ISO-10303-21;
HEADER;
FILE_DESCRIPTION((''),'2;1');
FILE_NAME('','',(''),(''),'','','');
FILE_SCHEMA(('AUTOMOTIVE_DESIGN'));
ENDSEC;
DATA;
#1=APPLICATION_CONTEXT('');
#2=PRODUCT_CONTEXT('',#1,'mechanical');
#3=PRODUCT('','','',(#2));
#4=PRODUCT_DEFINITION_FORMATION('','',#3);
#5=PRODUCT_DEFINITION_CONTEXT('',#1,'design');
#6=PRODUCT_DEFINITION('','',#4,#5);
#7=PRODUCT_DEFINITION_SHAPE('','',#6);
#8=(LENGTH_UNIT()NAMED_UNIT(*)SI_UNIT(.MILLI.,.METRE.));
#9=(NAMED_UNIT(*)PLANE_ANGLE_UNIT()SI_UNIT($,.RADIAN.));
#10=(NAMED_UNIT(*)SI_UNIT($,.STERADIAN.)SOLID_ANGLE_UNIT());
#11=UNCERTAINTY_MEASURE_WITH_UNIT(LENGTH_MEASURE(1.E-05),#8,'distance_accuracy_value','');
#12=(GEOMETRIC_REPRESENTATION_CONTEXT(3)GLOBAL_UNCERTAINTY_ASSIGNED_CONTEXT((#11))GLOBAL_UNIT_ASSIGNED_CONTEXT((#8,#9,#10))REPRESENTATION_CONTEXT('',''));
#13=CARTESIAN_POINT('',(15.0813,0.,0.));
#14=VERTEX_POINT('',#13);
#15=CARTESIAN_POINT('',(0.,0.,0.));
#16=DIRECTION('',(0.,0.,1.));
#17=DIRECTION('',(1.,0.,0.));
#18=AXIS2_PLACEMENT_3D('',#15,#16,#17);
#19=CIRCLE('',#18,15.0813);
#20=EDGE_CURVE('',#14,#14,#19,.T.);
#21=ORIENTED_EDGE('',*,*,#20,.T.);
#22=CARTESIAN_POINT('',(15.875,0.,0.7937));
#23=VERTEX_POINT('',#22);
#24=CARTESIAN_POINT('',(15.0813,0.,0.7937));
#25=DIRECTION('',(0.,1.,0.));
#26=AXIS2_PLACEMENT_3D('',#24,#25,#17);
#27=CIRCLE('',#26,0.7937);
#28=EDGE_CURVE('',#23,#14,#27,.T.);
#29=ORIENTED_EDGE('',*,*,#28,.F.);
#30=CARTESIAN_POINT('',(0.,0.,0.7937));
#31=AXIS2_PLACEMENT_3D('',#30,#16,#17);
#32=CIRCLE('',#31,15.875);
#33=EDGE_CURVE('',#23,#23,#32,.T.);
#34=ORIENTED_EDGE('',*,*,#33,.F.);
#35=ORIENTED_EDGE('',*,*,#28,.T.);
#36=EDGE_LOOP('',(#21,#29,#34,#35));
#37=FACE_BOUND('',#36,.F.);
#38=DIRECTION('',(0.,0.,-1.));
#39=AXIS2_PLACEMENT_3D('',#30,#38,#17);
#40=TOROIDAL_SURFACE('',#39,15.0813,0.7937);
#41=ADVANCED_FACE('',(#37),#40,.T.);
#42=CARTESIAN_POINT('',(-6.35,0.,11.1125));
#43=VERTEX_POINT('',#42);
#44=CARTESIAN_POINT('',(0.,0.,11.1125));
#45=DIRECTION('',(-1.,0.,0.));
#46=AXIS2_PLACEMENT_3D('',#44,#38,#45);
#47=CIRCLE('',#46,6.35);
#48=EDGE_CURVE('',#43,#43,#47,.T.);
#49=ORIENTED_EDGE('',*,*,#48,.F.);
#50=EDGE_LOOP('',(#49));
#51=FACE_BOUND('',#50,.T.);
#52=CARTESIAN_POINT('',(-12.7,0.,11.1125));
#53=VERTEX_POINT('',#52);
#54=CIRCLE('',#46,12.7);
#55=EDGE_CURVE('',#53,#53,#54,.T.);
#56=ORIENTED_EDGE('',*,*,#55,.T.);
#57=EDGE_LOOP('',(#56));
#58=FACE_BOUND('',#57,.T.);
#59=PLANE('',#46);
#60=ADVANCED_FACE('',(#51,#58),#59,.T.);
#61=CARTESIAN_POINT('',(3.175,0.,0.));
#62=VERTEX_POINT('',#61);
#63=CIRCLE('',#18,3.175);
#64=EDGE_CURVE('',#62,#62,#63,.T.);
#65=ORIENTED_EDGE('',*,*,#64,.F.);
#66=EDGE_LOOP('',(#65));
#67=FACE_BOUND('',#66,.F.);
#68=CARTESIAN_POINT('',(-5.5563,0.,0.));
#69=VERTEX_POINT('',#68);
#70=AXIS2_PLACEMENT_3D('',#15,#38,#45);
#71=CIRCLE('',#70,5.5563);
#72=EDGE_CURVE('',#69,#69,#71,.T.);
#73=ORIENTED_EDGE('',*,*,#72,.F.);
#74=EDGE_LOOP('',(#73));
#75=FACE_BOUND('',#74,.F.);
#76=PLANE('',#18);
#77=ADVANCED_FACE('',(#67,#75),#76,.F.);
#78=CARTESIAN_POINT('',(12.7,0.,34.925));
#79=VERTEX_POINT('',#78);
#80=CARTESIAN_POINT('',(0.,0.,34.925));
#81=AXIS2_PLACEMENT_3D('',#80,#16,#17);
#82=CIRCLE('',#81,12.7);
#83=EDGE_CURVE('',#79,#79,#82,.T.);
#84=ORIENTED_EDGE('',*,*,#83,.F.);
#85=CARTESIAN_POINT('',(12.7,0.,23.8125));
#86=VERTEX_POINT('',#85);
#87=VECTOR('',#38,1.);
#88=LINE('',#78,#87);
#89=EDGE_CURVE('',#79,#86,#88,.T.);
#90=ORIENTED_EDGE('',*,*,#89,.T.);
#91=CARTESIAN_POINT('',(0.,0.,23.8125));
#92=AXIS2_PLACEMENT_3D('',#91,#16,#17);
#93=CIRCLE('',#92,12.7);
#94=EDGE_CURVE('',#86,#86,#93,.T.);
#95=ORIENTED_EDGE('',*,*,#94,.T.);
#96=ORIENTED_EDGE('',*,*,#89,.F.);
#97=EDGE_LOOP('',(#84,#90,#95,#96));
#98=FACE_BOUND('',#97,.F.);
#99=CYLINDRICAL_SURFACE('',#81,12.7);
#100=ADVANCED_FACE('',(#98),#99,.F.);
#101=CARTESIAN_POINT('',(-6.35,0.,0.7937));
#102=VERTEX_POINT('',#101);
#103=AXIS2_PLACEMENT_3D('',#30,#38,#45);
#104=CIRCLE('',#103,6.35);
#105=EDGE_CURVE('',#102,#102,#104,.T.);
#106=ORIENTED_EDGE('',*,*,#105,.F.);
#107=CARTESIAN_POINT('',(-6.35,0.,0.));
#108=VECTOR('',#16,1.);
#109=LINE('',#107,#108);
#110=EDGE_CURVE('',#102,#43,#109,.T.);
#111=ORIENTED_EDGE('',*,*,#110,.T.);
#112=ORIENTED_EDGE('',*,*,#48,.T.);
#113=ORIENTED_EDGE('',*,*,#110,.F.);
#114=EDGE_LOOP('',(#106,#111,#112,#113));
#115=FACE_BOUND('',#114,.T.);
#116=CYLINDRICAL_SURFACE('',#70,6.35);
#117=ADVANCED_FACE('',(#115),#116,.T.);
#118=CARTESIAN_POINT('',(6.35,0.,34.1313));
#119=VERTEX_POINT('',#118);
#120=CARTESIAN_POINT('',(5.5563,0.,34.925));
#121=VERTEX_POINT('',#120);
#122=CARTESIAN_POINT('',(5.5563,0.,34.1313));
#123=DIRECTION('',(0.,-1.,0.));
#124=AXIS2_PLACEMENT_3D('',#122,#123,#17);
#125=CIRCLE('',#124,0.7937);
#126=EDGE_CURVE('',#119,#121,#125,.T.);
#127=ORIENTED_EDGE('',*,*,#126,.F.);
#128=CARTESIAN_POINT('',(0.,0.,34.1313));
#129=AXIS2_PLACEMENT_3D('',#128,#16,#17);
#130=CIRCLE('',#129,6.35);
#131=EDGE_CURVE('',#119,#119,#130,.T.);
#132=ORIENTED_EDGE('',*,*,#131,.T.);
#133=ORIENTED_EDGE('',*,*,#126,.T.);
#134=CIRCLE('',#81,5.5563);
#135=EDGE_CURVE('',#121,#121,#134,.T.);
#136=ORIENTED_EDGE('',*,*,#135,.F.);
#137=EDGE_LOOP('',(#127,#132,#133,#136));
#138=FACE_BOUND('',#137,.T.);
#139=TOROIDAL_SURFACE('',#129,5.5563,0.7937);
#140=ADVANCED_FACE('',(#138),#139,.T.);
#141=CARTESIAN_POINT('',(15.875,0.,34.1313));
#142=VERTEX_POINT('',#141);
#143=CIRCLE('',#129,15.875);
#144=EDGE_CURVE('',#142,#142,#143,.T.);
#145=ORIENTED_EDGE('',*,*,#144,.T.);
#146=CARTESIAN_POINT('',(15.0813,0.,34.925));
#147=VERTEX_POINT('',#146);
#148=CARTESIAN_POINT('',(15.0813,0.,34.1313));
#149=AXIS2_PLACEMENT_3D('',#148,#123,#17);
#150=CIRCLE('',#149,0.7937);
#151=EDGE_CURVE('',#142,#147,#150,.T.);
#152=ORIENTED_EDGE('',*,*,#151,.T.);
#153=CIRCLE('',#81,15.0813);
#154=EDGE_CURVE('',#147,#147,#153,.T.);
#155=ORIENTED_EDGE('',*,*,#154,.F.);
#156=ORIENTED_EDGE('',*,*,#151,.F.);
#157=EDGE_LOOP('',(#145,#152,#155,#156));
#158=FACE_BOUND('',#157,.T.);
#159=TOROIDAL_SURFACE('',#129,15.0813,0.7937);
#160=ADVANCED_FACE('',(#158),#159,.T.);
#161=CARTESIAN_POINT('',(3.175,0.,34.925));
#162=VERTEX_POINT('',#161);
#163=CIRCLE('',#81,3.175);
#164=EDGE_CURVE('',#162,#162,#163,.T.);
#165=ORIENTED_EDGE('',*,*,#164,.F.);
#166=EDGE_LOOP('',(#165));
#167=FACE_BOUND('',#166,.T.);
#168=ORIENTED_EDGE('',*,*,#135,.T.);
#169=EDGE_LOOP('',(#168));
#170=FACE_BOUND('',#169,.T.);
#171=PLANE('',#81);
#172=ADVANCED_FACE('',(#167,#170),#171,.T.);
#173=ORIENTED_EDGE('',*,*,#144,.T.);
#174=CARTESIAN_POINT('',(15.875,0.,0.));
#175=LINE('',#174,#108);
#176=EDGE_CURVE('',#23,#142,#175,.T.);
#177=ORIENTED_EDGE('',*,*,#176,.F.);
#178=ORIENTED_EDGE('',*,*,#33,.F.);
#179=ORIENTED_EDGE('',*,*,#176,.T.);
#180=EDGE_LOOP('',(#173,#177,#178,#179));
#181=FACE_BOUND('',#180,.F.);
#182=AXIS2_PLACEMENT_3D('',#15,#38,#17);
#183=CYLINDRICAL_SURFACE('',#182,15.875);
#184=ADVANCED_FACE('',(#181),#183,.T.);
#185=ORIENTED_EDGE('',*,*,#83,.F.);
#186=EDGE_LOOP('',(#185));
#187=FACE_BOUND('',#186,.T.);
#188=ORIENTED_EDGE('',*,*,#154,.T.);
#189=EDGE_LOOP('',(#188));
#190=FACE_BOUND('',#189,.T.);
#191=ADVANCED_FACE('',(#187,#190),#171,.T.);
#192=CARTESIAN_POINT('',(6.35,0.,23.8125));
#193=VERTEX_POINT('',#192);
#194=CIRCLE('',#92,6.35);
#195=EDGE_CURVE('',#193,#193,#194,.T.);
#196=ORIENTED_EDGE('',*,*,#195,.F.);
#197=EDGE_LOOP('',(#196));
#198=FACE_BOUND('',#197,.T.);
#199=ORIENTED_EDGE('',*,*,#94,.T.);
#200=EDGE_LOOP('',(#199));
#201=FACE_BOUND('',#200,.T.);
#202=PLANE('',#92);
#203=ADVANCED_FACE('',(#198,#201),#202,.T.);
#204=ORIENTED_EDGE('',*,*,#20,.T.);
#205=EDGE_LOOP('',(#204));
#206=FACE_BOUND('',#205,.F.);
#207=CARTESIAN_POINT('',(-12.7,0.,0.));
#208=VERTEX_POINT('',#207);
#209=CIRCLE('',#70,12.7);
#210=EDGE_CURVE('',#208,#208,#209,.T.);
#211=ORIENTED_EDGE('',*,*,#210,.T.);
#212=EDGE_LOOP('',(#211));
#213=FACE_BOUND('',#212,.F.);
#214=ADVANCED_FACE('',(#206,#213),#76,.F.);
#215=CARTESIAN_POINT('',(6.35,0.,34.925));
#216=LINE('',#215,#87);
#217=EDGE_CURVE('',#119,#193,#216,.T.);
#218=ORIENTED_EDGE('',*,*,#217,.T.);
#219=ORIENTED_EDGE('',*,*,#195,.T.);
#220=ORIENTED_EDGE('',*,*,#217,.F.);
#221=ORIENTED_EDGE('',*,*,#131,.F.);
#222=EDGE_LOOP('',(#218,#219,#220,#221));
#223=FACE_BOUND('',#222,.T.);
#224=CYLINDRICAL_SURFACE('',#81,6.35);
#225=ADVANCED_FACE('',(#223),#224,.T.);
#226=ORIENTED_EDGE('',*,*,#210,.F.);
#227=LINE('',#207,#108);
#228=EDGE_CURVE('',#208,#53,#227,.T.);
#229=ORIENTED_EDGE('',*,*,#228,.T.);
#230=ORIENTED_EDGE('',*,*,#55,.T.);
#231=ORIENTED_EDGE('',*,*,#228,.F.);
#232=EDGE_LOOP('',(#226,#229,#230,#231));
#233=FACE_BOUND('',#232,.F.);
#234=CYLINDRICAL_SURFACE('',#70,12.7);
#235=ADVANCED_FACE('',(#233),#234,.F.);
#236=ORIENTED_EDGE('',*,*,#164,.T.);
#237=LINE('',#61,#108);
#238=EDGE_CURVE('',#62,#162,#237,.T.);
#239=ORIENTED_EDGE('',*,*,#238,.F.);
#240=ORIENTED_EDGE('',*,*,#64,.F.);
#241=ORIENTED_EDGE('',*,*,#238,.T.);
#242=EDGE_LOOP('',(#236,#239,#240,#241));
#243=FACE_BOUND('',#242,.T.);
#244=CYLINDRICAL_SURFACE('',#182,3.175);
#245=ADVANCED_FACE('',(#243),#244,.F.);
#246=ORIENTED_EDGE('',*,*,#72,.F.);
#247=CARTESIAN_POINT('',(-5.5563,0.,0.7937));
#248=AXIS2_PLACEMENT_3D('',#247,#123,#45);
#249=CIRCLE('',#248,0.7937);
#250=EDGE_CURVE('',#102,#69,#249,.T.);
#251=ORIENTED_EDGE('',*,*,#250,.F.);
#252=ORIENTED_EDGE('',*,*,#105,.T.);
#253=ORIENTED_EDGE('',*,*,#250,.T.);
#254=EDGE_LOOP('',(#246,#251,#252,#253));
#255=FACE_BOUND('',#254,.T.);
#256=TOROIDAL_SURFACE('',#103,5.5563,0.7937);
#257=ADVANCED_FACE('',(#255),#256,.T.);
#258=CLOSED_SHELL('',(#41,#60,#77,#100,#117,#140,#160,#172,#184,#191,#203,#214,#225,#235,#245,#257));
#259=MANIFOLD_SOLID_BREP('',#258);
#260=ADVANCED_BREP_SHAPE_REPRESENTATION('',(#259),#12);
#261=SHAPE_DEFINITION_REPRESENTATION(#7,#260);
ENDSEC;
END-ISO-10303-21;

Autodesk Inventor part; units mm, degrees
ref_plane "YZ Plane" through (0, 0, 0) normal (1, 0, 0) x (0, 1, 0)
ref_plane "XZ Plane" through (0, 0, 0) normal (0, 1, 0) x (-1, 0, 0)
ref_plane "XY Plane" through (0, 0, 0) normal (0, 0, 1) x (1, 0, 0)
sketch "Sketch1" plane through (0, 0, 0) normal (0, 0, 1) x (1, 0, 0)
  circle A0 centre (0, 0) radius 15.875
  circle A1 centre (0, 0) radius 3.175
  dimension "d0" = 31.75
  dimension "d1" = 6.35
extrude "Extrusion1" add sketch "Sketch1" along normal blind 34.925
sketch "Sketch2" plane through (0, 0, 34.925) normal (0, 0, 1) x (1, 0, 0)
  circle A0 centre (0, 0) radius 15.875 projected
  circle A1 centre (0, 0) radius 6.35
  circle A2 centre (0, 0) radius 12.7
  dimension "d4" = 6.35
  dimension "d5" = 12.7
extrude "Extrusion2" cut sketch "Sketch2" against normal blind 11.1125 contours A2
sketch "Sketch3" plane through (0, 0, 0) normal (0, 0, -1) x (-1, 0, 0)
  circle A0 centre (0, 0) radius 15.875 projected
  circle A1 centre (0, 0) radius 6.35
  circle A2 centre (0, 0) radius 12.7
  dimension "d8" = 12.7
  dimension "d9" = 6.35
extrude "Extrusion3" cut sketch "Sketch3" against normal blind 11.1125 contours A2
fillet "Fillet1" radius 0.7937 4 edges at (6.35, 0, 0) (-15.875, 0, 0) (-6.35, 0, 34.925) (-15.875, 0, 34.925)
properties part number "Conveyor_Roller_MainOuter" material "PVC-Piping"
